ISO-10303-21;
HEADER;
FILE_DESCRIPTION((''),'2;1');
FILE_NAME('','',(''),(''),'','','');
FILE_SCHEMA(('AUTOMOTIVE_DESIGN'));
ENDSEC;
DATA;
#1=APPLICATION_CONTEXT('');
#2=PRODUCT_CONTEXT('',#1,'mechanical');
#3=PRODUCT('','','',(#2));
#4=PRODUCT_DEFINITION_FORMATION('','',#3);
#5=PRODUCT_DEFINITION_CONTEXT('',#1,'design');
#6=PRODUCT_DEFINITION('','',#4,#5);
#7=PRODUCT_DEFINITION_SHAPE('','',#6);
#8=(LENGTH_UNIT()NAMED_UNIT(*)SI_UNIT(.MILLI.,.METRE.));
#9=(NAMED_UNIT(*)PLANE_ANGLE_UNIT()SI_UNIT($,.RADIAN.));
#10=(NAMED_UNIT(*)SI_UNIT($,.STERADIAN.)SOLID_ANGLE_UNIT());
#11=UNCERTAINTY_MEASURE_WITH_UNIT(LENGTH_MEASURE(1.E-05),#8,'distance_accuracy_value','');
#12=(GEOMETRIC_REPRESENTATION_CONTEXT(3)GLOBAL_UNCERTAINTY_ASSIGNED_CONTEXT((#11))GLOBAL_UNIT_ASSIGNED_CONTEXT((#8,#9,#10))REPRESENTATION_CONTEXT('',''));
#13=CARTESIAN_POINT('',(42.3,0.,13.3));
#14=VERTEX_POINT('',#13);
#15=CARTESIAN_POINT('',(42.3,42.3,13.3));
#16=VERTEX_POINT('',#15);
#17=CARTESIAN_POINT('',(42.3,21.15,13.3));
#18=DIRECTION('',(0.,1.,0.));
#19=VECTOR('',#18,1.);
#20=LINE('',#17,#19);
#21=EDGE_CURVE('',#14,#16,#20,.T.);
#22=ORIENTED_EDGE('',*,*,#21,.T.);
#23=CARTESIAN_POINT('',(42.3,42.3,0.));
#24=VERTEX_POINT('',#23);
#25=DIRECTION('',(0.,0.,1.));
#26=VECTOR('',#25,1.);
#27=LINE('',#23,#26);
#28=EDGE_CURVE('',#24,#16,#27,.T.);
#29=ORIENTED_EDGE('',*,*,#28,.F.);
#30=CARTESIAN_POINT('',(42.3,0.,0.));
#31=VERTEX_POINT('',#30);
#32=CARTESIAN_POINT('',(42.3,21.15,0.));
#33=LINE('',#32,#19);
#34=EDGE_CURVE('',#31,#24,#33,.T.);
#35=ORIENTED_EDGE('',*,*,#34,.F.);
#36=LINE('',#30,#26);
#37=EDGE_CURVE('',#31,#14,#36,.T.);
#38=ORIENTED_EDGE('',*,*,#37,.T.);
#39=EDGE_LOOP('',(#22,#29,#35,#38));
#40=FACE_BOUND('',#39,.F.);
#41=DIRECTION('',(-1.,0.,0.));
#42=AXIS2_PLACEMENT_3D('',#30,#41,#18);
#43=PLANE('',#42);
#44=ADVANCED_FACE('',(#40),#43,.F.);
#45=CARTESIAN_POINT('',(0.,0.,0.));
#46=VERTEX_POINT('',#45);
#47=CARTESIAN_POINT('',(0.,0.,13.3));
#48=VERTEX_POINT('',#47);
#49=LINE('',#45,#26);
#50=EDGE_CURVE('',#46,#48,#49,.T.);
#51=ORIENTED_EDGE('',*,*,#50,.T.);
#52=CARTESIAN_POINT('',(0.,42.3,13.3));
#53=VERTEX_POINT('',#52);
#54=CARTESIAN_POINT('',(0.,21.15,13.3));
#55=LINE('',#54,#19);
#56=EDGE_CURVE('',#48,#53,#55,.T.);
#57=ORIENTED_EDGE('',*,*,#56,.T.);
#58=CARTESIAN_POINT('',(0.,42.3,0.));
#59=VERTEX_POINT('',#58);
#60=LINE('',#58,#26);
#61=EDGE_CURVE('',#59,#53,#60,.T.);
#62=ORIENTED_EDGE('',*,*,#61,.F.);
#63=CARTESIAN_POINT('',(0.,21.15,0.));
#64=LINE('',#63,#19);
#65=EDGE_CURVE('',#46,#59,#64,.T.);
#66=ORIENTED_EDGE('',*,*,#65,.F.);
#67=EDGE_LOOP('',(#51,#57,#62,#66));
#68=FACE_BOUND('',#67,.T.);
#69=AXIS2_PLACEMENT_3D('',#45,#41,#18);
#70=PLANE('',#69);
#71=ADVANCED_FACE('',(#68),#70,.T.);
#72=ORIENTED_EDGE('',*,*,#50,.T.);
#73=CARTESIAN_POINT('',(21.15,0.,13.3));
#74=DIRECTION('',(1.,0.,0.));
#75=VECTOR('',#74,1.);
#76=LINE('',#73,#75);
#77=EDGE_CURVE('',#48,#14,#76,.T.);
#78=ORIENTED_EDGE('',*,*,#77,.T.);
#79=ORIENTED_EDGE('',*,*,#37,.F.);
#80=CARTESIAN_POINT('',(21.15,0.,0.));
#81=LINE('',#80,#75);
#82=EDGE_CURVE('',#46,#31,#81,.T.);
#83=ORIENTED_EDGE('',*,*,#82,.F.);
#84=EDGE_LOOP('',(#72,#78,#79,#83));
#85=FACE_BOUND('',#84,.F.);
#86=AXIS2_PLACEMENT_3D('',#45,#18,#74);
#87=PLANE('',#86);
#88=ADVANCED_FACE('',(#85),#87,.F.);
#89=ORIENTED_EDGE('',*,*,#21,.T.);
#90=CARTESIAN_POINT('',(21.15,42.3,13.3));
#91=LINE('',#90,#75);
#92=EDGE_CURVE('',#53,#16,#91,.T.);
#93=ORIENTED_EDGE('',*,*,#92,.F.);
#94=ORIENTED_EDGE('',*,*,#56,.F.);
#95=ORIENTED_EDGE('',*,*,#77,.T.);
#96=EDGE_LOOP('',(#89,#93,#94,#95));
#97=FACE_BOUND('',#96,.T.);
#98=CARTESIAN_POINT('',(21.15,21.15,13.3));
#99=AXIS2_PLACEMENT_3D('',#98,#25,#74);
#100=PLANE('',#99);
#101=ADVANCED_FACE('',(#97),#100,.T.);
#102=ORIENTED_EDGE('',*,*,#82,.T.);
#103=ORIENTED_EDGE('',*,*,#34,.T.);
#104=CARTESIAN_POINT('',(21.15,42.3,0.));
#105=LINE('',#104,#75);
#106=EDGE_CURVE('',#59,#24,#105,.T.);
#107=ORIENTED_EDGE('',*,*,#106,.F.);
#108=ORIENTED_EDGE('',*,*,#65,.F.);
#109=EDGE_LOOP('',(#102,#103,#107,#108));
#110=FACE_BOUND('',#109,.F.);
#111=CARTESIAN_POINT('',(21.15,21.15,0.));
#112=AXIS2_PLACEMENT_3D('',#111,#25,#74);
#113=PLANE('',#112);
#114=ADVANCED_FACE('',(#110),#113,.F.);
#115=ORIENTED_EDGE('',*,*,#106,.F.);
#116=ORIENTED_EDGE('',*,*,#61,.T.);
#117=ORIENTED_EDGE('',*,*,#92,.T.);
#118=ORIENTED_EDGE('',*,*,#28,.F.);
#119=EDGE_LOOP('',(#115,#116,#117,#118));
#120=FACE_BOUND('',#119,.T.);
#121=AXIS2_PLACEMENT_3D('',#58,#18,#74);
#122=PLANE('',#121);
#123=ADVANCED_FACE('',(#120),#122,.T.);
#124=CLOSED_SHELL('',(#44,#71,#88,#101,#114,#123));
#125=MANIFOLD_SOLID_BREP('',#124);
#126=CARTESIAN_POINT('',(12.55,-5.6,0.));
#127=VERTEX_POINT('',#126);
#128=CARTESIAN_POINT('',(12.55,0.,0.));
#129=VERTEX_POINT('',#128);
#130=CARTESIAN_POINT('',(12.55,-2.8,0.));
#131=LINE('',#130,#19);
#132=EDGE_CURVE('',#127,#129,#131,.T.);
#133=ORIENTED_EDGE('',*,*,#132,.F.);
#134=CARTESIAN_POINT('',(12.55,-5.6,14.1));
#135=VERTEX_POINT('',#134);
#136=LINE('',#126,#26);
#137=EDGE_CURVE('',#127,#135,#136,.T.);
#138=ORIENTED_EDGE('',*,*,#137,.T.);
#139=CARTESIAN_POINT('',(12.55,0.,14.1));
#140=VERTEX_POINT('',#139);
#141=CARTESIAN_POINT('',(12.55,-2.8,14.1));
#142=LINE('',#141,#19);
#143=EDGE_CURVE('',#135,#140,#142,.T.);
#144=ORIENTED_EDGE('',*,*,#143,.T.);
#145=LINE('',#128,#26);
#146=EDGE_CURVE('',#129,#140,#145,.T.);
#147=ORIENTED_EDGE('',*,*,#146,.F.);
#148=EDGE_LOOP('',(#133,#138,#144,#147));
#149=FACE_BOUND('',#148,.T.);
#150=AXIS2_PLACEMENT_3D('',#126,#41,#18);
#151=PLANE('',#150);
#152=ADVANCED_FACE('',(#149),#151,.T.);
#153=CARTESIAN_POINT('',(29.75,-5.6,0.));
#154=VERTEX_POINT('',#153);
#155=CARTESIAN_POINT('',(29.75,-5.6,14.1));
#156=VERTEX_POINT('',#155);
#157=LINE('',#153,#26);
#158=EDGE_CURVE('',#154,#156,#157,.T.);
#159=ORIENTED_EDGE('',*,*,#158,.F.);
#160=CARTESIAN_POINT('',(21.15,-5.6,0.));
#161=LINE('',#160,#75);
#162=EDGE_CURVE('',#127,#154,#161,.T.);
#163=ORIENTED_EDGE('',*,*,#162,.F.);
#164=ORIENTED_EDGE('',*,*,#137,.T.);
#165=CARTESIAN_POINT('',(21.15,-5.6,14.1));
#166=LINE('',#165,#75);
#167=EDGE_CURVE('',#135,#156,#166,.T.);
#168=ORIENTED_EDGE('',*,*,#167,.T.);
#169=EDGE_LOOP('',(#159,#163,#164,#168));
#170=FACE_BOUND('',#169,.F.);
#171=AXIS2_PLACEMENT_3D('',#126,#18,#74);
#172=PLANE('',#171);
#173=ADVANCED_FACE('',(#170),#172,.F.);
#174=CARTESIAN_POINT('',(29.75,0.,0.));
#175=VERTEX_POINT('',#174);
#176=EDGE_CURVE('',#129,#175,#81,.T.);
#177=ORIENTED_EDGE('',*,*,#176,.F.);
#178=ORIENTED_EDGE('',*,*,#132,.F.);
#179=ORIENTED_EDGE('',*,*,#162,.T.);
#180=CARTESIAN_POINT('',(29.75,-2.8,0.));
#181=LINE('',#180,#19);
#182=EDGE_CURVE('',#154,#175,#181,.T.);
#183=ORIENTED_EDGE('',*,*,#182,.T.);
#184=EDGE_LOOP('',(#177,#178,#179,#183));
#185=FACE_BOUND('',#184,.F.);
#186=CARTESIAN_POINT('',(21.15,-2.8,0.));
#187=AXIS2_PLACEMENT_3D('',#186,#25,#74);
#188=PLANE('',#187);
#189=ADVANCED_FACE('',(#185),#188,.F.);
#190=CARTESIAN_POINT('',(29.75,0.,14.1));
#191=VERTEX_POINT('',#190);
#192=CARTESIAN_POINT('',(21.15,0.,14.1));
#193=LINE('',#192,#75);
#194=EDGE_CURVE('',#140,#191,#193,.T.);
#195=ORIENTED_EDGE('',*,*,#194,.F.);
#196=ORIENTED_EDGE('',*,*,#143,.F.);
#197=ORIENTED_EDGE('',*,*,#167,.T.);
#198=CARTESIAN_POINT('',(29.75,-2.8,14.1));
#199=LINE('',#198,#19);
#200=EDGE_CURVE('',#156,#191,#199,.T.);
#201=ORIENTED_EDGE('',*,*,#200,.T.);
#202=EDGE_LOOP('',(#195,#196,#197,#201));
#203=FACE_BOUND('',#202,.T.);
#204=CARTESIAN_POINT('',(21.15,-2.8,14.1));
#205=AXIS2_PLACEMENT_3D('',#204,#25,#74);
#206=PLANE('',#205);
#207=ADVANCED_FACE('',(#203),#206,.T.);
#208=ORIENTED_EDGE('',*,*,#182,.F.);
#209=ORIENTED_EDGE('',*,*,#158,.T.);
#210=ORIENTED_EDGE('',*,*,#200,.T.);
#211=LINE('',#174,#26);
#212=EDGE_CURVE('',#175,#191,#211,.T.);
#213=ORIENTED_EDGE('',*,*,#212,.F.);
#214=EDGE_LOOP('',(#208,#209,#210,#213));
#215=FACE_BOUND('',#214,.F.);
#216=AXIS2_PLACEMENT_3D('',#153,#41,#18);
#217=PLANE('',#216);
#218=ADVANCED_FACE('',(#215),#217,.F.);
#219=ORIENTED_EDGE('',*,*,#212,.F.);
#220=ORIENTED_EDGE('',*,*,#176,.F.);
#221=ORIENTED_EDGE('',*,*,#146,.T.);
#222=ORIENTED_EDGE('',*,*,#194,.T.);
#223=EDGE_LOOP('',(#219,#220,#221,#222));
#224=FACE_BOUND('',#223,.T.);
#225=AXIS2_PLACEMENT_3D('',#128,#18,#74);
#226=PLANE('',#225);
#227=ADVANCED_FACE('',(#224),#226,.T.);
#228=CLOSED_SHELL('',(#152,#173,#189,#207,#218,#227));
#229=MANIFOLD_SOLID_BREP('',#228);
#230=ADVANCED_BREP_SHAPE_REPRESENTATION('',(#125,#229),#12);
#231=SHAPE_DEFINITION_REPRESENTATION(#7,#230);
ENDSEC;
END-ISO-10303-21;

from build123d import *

# Parameters (mm, degrees)
BOX_W        = 42.3
BOX_H        = 42.3
BOX_DEPTH    = 13.3
BOX001_W     = 17.2
BOX001_H     = 5.6
BOX001_DEPTH = 14.1


with BuildPart() as cube:
    # Box → Box (new body)
    with BuildSketch(Plane.XY):
        with Locations((21.15, 21.15)):
            Rectangle(BOX_W, BOX_H)
    extrude(amount=BOX_DEPTH)


with BuildPart() as cube001:
    # Box001 → Box001 (new body)
    with BuildSketch(Plane(origin=(12.55, -5.6, 0), x_dir=(1, 0, 0), z_dir=(0, 0, 1))):
        with Locations((8.6, 2.8)):
            Rectangle(BOX001_W, BOX001_H)
    extrude(amount=BOX001_DEPTH)


solid = Compound([cube.part, cube001.part])
